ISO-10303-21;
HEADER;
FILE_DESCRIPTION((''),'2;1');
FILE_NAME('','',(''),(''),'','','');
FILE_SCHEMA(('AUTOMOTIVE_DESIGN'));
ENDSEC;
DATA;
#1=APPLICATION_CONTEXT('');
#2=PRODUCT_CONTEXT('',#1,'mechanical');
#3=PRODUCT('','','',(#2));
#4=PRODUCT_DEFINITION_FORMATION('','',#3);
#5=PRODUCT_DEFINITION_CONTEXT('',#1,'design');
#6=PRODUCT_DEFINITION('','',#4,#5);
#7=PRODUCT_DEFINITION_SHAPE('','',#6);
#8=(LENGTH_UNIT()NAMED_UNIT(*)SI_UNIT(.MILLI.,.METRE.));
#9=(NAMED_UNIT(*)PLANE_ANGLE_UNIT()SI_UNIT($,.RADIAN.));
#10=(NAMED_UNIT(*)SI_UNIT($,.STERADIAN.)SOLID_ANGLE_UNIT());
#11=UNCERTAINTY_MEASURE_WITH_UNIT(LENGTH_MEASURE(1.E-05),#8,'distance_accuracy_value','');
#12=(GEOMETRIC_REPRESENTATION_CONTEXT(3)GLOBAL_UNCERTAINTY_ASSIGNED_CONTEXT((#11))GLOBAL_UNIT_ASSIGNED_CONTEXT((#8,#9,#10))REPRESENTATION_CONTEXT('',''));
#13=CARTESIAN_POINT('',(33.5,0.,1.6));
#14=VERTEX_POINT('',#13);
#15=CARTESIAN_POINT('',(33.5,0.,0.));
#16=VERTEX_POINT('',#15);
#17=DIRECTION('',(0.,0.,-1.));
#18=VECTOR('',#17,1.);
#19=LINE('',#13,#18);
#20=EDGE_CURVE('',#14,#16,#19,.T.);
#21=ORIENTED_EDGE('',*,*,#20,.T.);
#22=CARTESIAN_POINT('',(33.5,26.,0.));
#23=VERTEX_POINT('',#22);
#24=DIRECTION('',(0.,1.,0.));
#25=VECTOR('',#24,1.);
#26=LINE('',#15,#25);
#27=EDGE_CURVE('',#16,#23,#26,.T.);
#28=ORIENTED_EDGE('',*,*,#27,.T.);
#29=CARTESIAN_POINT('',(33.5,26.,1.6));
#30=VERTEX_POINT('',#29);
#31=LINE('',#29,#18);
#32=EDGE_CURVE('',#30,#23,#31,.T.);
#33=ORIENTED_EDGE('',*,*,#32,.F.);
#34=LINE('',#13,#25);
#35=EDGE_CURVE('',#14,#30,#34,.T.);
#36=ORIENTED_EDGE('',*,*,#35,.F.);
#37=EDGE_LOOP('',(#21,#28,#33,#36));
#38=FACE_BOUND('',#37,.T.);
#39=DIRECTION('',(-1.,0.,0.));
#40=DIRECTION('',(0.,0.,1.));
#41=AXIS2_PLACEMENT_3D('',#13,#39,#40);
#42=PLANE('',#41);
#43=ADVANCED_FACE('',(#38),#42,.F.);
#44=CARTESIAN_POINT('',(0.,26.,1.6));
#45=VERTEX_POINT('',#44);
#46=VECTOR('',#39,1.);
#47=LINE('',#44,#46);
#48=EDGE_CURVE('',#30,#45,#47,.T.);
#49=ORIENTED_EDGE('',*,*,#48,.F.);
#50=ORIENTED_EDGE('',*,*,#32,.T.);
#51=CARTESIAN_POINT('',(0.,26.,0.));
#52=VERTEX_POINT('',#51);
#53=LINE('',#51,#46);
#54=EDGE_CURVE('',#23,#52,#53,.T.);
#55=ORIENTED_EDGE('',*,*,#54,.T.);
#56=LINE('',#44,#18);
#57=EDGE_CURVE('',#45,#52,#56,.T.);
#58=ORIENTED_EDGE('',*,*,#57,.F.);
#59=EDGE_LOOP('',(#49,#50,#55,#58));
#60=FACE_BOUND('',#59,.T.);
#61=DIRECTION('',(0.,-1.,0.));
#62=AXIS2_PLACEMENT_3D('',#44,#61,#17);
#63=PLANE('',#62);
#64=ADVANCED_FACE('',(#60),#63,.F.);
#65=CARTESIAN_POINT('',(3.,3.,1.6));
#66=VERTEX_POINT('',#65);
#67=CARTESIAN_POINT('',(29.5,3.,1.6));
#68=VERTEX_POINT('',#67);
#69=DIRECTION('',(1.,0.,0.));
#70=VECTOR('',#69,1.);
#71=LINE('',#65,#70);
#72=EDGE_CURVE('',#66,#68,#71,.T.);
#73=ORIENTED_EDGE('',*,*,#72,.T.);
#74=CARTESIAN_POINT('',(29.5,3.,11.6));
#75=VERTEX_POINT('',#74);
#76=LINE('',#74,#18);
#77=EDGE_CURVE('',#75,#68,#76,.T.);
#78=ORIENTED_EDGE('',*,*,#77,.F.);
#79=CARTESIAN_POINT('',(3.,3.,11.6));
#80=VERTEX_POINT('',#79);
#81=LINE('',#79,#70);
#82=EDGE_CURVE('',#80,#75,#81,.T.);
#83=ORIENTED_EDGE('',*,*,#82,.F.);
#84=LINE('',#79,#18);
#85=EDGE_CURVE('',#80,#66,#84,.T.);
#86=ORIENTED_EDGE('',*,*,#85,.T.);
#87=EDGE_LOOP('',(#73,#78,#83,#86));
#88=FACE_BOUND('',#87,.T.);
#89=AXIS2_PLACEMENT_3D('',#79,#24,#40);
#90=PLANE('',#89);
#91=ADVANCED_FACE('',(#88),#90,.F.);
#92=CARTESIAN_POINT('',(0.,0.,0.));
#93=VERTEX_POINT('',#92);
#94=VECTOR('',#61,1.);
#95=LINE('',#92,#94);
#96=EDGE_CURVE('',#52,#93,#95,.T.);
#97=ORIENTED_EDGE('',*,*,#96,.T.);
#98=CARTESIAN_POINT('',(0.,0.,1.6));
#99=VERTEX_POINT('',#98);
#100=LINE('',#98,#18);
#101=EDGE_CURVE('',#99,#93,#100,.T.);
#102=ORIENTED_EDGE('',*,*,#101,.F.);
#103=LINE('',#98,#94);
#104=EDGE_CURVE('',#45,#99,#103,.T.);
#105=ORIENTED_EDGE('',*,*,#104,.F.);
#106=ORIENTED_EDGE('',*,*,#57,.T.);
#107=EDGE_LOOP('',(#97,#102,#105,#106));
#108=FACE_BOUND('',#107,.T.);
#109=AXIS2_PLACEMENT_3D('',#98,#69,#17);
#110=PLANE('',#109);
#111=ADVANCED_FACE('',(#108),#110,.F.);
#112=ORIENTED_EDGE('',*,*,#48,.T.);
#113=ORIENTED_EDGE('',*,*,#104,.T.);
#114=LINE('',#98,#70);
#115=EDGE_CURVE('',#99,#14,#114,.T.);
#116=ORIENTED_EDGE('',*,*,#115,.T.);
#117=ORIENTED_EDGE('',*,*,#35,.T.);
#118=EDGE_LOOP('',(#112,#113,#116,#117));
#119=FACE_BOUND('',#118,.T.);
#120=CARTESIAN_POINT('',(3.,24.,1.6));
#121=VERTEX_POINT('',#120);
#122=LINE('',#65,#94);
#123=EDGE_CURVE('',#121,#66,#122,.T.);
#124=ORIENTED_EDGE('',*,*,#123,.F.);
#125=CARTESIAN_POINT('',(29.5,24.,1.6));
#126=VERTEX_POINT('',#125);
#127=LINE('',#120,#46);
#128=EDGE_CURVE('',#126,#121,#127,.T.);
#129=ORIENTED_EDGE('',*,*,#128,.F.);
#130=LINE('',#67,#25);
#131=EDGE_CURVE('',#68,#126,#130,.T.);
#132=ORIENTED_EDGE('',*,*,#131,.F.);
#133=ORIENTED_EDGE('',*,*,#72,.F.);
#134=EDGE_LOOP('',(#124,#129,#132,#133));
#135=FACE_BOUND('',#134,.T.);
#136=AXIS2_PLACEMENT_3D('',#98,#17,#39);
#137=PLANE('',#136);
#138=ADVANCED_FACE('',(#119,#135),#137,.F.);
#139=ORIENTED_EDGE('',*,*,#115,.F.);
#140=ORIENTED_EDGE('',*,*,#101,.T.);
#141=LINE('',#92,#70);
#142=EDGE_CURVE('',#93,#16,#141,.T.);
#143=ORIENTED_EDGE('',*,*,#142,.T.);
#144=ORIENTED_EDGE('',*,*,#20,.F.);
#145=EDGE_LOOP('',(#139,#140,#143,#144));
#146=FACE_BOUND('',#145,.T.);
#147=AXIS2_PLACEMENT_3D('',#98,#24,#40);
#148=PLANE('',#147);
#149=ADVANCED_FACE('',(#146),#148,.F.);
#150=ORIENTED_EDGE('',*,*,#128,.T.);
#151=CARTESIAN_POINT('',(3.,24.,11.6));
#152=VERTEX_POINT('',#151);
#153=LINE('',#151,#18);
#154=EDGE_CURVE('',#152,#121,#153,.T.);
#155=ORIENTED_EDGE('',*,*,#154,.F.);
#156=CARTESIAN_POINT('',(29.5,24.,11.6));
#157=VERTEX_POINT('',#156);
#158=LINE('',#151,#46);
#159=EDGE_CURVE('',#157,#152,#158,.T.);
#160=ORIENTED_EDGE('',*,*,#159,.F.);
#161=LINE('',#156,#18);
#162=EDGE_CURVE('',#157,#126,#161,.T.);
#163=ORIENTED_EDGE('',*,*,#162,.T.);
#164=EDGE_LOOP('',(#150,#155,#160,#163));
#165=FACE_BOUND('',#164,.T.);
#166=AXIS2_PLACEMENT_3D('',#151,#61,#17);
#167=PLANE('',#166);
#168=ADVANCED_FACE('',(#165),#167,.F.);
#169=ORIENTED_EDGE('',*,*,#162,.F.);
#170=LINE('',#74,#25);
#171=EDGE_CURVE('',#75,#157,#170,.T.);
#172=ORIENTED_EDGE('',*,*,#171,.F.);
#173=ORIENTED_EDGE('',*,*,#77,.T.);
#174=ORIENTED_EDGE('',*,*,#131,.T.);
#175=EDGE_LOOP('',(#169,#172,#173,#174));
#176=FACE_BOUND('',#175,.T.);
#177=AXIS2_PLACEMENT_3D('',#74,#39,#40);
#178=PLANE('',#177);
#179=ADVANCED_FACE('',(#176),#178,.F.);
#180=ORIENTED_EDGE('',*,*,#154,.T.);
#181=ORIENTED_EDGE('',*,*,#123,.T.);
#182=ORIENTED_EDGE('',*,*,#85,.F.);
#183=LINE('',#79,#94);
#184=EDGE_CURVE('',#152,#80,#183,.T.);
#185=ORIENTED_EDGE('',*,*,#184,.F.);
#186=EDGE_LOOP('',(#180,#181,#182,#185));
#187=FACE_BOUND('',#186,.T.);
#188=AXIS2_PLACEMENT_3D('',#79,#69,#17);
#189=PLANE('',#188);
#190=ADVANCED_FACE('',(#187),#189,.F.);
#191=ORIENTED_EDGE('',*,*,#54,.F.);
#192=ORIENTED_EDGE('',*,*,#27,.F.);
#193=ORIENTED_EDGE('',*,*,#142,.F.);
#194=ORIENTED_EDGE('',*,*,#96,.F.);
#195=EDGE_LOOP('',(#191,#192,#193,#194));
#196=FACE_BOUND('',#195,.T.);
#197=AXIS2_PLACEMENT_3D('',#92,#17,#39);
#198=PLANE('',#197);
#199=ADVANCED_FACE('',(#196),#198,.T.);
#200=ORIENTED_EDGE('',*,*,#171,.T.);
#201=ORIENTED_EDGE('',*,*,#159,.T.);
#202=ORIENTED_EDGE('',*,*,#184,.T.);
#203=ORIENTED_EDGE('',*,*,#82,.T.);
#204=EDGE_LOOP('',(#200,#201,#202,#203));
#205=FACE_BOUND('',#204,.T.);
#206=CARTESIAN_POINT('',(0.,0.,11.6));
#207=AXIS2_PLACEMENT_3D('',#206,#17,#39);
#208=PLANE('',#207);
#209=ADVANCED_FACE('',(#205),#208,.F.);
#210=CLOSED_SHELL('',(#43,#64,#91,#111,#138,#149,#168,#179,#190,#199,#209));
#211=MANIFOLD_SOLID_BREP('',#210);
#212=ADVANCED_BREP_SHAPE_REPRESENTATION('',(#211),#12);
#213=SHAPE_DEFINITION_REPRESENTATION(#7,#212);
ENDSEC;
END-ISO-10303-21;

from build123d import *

# Parameters (mm, degrees)
ESQUISSE1_W        = 33.5
ESQUISSE1_H        = 26
BOSS_EXTRU_1_DEPTH = 1.6
ESQUISSE2_W        = 26.5
ESQUISSE2_H        = 21
BOSS_EXTRU_2_DEPTH = 10


with BuildPart() as part:
    # Esquisse1 → Boss.-Extru.1 (new body)
    with BuildSketch(Plane.XY):
        with Locations((16.75, 13)):
            Rectangle(ESQUISSE1_W, ESQUISSE1_H)
    extrude(amount=BOSS_EXTRU_1_DEPTH)

    # Esquisse2 → Boss.-Extru.2 (add)
    with BuildSketch(Plane.XY.offset(1.6)):
        with Locations((16.25, 13.5)):
            Rectangle(ESQUISSE2_W, ESQUISSE2_H)
    extrude(amount=BOSS_EXTRU_2_DEPTH)


solid = part.part
